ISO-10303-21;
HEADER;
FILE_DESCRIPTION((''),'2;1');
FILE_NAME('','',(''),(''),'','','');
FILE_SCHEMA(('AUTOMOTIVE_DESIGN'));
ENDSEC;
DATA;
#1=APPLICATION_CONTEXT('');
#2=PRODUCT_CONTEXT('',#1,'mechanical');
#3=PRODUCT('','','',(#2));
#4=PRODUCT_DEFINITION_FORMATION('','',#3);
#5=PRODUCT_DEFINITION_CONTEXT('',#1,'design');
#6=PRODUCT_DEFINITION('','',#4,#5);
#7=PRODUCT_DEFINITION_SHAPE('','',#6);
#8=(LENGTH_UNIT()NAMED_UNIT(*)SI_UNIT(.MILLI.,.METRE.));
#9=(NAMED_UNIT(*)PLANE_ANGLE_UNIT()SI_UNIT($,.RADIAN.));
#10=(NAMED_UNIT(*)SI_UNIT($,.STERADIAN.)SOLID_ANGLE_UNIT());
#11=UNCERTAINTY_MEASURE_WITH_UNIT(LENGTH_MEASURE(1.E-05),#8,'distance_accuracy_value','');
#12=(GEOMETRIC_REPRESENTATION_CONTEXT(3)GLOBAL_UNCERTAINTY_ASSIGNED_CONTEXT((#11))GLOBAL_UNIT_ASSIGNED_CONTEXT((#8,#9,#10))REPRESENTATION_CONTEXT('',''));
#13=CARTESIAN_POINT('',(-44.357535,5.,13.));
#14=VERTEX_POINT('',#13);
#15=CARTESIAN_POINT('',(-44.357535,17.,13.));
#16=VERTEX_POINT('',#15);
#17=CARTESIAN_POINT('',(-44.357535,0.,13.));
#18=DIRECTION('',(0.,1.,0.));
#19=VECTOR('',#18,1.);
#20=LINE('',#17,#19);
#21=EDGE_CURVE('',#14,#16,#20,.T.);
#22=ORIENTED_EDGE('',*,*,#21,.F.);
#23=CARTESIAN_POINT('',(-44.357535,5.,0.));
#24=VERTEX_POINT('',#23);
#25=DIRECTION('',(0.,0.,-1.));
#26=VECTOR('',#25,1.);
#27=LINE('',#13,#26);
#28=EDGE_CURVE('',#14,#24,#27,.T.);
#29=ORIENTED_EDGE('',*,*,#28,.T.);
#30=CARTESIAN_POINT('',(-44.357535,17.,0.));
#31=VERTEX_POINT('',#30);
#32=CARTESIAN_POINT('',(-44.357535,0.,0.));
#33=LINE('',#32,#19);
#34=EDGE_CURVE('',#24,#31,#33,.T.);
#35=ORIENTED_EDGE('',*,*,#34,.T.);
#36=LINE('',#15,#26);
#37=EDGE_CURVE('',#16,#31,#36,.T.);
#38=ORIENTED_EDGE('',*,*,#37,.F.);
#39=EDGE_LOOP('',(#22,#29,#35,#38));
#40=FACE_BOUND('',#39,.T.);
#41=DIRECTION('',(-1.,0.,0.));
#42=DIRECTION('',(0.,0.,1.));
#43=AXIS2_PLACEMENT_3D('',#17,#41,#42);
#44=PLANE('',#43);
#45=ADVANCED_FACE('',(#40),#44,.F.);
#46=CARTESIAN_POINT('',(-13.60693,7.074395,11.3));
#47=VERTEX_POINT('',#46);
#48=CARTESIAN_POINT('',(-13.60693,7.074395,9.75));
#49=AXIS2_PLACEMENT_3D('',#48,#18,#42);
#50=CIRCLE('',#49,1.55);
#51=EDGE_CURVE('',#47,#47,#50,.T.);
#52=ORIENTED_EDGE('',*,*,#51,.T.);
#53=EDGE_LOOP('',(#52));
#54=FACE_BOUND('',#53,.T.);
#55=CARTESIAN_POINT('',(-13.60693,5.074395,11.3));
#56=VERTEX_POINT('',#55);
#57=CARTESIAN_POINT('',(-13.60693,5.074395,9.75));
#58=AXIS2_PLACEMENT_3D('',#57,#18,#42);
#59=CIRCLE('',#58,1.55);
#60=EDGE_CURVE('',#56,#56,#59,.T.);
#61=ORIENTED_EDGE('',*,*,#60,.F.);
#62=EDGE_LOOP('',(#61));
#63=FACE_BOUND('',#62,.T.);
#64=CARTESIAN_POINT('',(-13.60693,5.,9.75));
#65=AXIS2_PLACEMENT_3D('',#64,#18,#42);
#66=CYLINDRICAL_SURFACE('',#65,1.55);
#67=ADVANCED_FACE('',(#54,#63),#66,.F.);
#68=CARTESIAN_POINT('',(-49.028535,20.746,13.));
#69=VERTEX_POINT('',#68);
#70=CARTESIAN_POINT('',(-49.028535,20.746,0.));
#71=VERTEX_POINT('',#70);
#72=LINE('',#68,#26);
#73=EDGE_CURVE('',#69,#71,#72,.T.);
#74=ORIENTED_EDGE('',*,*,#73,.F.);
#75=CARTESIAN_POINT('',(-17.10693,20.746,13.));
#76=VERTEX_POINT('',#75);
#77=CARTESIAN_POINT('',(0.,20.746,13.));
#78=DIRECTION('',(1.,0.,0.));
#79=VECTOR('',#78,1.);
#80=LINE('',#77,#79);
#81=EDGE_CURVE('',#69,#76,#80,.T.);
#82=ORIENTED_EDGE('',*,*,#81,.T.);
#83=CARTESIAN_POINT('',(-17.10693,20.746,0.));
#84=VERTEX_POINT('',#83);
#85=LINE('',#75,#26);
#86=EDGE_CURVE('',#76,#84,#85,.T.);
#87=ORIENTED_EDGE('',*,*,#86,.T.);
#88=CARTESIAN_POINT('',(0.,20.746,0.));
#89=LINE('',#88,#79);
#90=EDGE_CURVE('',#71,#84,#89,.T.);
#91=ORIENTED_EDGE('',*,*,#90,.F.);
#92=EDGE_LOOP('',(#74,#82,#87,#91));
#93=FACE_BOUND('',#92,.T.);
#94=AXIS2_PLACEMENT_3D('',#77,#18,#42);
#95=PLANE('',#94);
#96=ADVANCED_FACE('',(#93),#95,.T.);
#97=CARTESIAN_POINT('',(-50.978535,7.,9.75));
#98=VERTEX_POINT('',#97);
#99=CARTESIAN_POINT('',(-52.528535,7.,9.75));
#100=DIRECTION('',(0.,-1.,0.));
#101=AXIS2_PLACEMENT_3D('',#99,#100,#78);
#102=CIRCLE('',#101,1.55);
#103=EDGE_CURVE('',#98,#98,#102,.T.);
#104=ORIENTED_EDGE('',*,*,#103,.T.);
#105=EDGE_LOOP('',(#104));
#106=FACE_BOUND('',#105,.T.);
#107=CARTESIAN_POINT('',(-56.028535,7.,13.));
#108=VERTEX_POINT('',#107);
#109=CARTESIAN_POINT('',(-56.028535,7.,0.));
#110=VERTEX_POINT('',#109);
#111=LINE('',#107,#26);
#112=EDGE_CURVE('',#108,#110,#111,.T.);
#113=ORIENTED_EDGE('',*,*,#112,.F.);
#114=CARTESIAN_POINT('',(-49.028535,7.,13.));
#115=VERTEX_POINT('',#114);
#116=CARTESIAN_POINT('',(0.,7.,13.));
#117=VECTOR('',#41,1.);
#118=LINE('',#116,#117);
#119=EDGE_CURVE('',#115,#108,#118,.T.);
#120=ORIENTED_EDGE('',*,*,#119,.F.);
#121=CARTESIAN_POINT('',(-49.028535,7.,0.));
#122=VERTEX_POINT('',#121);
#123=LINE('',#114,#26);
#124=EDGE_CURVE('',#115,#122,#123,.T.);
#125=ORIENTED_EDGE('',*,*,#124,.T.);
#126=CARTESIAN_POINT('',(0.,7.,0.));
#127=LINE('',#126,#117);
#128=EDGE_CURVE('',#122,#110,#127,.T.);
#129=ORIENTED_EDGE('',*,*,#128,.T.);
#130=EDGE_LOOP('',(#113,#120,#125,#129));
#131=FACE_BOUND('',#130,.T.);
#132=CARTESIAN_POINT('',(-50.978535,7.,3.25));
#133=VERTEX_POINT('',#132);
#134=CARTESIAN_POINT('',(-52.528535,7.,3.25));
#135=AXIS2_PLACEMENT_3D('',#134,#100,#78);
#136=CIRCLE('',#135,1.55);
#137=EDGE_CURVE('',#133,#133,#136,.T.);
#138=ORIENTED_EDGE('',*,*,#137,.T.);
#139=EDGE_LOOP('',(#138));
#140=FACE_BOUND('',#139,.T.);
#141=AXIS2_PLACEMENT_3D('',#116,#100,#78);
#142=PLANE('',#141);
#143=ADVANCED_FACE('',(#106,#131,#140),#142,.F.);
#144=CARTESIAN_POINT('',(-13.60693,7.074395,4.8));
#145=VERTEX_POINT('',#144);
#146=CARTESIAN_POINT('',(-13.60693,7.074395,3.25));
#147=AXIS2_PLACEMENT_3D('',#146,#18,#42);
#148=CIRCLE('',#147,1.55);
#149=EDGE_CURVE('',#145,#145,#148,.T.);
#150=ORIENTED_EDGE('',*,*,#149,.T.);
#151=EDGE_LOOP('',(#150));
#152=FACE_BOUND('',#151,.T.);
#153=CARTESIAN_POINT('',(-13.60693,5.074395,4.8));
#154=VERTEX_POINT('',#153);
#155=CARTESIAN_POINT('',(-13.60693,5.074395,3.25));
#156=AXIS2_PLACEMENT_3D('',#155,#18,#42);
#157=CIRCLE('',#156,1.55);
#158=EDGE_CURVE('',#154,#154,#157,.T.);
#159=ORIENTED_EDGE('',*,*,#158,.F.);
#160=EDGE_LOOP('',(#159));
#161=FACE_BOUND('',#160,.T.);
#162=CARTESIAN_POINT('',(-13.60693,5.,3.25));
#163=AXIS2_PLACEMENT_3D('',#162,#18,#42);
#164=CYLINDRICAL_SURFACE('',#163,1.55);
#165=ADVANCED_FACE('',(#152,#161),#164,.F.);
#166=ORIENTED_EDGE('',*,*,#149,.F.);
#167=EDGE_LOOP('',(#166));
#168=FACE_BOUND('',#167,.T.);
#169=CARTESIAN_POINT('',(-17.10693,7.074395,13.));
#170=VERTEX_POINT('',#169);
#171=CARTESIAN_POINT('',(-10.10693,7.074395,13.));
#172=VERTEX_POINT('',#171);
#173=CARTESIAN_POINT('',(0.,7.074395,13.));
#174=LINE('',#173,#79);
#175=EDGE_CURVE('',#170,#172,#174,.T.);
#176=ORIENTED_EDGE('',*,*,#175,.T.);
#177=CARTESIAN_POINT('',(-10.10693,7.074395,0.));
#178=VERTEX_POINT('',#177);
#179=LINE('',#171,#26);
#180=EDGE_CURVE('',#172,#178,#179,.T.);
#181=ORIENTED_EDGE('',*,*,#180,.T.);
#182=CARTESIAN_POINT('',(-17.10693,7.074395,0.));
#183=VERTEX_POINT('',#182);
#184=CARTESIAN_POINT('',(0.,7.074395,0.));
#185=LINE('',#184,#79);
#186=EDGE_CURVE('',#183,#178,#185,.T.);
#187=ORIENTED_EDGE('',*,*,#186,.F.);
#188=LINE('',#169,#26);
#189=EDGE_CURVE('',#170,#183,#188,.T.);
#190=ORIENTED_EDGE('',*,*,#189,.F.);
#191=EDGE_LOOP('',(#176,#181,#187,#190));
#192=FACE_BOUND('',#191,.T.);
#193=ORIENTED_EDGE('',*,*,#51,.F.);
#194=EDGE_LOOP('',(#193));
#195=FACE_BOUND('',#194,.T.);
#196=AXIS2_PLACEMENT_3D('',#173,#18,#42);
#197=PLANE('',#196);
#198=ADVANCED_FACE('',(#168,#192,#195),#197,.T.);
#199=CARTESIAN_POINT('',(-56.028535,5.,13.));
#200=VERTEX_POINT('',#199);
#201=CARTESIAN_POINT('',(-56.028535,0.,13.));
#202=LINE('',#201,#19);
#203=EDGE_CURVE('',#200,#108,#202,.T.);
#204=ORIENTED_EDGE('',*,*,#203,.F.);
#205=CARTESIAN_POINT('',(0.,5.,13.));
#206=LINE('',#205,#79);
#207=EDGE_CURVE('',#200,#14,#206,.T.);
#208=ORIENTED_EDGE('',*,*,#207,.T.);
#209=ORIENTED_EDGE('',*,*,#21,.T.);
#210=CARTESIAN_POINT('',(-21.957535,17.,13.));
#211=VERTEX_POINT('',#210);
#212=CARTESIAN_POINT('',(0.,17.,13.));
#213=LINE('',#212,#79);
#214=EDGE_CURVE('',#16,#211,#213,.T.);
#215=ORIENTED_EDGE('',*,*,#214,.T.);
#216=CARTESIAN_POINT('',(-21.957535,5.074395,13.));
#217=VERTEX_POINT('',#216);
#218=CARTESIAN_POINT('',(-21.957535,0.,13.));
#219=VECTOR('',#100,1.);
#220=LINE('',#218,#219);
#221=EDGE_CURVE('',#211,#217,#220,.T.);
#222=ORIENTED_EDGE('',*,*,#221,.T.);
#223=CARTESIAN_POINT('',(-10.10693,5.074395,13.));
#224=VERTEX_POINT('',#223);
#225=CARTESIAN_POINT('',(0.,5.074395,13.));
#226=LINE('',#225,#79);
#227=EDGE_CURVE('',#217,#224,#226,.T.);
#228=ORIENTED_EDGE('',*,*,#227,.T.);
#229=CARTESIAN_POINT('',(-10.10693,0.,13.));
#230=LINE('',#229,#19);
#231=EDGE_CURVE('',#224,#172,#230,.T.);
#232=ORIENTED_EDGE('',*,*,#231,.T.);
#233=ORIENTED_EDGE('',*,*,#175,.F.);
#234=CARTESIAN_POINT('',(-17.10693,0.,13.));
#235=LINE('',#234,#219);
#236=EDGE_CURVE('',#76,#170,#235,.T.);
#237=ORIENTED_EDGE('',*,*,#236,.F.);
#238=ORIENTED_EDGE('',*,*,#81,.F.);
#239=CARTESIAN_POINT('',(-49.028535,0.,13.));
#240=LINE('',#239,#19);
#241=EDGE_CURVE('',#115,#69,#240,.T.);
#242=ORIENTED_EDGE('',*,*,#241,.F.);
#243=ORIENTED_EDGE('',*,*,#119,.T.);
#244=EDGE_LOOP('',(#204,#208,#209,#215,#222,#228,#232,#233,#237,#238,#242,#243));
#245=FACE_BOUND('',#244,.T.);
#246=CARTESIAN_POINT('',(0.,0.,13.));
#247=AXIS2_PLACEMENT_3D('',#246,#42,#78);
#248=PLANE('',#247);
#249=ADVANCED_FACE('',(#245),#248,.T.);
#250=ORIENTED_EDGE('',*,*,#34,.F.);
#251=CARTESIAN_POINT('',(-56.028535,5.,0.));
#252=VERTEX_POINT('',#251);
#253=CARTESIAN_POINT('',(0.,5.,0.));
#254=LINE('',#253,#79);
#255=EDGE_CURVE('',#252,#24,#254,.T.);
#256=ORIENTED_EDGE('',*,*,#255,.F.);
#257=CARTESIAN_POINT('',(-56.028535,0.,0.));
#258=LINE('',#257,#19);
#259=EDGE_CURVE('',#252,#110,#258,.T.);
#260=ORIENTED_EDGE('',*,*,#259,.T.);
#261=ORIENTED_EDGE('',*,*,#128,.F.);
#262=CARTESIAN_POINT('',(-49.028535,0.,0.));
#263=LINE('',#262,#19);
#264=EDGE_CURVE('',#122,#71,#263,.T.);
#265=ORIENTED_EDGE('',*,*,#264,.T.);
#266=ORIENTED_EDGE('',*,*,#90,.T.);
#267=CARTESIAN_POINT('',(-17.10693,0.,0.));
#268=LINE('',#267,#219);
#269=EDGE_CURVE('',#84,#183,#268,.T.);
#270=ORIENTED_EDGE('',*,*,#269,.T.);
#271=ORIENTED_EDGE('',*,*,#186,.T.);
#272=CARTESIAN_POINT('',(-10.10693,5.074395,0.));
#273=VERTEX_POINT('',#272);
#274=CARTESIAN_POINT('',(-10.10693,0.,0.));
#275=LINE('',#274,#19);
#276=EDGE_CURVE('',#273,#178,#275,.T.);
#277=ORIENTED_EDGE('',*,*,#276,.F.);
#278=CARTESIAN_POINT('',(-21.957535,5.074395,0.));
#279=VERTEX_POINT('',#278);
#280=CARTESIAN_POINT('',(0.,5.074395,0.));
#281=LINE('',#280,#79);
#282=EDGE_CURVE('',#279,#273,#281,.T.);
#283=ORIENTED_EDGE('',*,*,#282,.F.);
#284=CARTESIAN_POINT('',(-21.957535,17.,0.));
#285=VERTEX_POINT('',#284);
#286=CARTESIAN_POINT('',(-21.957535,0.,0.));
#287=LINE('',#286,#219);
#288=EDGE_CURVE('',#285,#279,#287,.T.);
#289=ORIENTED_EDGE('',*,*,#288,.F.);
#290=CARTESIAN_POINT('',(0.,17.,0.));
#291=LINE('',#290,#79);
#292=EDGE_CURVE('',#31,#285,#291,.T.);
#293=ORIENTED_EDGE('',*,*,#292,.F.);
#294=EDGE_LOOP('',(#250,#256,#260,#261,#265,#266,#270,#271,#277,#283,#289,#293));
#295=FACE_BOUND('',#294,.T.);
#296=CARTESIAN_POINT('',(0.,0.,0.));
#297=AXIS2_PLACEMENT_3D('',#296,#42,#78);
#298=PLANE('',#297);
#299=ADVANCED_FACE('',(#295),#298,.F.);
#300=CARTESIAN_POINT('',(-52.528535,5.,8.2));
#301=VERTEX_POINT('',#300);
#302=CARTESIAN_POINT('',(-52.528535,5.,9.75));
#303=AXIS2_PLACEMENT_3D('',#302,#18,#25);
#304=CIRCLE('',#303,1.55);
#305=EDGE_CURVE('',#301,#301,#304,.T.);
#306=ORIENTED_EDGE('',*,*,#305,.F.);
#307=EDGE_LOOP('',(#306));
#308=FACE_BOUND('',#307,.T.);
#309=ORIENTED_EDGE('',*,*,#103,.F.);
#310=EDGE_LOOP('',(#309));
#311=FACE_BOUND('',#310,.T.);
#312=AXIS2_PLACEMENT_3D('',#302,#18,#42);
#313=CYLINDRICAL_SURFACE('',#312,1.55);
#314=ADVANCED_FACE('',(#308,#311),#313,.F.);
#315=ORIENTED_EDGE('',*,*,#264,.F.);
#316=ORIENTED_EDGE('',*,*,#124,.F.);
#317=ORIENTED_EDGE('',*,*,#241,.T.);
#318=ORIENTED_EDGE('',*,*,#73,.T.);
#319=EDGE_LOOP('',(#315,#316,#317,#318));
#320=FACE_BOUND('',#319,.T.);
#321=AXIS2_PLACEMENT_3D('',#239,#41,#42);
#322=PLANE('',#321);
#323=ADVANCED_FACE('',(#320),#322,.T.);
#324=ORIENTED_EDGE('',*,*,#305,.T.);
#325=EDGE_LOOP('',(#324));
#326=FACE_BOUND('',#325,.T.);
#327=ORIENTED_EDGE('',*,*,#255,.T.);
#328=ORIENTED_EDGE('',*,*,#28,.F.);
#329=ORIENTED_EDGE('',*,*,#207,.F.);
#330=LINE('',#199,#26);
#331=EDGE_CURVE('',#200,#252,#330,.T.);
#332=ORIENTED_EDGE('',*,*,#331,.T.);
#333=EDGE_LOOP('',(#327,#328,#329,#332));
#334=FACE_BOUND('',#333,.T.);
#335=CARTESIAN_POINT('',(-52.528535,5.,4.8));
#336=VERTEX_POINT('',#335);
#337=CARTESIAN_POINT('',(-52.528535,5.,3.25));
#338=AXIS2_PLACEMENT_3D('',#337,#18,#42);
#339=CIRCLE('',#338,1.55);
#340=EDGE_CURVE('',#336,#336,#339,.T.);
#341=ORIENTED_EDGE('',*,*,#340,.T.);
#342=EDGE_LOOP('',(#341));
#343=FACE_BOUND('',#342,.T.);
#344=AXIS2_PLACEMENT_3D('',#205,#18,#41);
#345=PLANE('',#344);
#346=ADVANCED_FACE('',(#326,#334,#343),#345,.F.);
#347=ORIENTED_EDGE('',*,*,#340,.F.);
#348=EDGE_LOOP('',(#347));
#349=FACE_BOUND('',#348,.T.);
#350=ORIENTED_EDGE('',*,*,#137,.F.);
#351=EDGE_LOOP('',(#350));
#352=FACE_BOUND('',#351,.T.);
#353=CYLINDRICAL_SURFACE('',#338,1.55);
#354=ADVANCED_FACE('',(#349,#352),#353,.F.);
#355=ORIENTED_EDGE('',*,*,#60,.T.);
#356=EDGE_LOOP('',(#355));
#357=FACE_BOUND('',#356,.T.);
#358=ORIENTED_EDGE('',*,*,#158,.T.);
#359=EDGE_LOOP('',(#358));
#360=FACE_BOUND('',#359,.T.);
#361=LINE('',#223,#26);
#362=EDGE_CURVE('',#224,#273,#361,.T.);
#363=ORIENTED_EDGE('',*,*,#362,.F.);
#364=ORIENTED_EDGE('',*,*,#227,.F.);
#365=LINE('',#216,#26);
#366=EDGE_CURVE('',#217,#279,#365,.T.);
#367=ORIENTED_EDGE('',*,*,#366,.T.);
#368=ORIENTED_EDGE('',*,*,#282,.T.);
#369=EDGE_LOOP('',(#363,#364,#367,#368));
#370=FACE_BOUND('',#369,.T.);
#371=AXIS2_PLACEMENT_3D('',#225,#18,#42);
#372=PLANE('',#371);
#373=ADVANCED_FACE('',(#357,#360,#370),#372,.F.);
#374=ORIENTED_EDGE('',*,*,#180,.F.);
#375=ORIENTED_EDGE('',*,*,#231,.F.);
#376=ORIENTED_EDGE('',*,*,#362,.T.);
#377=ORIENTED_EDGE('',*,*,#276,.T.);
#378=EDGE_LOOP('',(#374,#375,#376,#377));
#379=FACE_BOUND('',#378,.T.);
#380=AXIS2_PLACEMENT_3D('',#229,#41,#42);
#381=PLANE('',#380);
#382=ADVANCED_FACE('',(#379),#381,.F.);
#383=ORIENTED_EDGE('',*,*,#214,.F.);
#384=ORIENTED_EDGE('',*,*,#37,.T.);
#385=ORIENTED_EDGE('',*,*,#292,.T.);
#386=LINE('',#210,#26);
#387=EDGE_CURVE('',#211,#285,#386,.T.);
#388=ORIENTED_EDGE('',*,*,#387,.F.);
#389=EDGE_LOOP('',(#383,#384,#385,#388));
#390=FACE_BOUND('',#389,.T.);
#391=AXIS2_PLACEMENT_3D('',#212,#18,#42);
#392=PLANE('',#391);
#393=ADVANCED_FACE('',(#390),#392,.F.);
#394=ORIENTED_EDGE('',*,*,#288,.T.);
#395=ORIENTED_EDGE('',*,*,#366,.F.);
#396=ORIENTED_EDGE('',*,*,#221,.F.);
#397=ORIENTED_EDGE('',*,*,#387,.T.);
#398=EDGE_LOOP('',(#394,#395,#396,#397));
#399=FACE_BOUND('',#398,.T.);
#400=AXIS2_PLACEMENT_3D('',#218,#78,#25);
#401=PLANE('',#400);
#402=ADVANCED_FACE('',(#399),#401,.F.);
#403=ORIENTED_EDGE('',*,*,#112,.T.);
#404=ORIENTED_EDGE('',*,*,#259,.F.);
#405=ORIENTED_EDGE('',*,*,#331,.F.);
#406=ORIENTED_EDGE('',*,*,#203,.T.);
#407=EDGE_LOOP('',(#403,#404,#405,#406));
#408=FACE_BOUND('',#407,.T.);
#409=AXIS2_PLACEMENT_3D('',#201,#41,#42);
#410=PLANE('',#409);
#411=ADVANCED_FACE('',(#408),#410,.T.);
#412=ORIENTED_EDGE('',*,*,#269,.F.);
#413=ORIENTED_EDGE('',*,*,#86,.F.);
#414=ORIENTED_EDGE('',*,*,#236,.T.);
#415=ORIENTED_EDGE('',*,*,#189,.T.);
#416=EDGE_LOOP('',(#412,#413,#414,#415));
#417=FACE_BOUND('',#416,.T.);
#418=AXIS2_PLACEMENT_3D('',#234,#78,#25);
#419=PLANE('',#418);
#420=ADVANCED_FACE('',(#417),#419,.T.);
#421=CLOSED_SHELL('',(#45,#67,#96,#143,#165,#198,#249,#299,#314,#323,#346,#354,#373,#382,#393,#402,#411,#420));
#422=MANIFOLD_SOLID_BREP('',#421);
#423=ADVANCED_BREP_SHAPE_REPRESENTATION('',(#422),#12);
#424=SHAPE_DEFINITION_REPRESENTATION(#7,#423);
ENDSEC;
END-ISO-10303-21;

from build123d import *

# Parameters (mm, degrees)
SKETCH1_W               = 4.671
SKETCH1_H               = 15.746
SKETCH1_W_2             = 7
SKETCH1_H_2             = 2
SKETCH1_W_3             = 22.4
SKETCH1_H_3             = 3.746
BOSS_EXTRUDE1_DEPTH     = 13
CUT_EXTRUDE1_DEPTH      = 60.119451433
CUT_EXTRUDE1_DEPTH_BACK = 60.119451433
SKETCH2_R               = 1.55


with BuildPart() as part:
    # Sketch1 → Boss-Extrude1 (new body)
    with BuildSketch(Plane.XY):
        with Locations((-46.693035151, 12.873)):
            Rectangle(SKETCH1_W, SKETCH1_H)
        with Locations((-52.528535151, 6)):
            Rectangle(SKETCH1_W_2, SKETCH1_H_2)
        with Locations((-33.157535151, 18.873)):
            Rectangle(SKETCH1_W_3, SKETCH1_H_3)
        Polygon((-21.957535151, 20.746), (-21.957535151, 17), (-21.957535151, 5.074394878), (-17.106930028, 5.074394878), (-17.106930028, 7.074394878), (-17.106930028, 20.746), align=None)
        with Locations((-13.606930028, 6.074394878)):
            Rectangle(SKETCH1_W_2, SKETCH1_H_2)
    extrude(amount=BOSS_EXTRUDE1_DEPTH)

    # Sketch2 → Cut-Extrude1 (cut, two sides: drawn at the far end of the back side and taken through both)
    with BuildSketch(Plane(origin=(0, 7.074394878, 0), x_dir=(1, 0, 0), z_dir=(0, 1, 0)).offset(-CUT_EXTRUDE1_DEPTH_BACK)):
        with Locations(Location((-13.606930028, -9.75, 0), (0, 0, 270))):
            Circle(SKETCH2_R)
        with Locations(Location((-13.606930028, -3.25, 0), (0, 0, 270))):
            Circle(SKETCH2_R)
        with Locations(Location((-52.528535151, -3.25, 0), (0, 0, 270))):
            Circle(SKETCH2_R)
        with Locations((-52.528535151, -9.75)):
            Circle(SKETCH2_R)
    extrude(amount=CUT_EXTRUDE1_DEPTH + CUT_EXTRUDE1_DEPTH_BACK, mode=Mode.SUBTRACT)


solid = part.part
